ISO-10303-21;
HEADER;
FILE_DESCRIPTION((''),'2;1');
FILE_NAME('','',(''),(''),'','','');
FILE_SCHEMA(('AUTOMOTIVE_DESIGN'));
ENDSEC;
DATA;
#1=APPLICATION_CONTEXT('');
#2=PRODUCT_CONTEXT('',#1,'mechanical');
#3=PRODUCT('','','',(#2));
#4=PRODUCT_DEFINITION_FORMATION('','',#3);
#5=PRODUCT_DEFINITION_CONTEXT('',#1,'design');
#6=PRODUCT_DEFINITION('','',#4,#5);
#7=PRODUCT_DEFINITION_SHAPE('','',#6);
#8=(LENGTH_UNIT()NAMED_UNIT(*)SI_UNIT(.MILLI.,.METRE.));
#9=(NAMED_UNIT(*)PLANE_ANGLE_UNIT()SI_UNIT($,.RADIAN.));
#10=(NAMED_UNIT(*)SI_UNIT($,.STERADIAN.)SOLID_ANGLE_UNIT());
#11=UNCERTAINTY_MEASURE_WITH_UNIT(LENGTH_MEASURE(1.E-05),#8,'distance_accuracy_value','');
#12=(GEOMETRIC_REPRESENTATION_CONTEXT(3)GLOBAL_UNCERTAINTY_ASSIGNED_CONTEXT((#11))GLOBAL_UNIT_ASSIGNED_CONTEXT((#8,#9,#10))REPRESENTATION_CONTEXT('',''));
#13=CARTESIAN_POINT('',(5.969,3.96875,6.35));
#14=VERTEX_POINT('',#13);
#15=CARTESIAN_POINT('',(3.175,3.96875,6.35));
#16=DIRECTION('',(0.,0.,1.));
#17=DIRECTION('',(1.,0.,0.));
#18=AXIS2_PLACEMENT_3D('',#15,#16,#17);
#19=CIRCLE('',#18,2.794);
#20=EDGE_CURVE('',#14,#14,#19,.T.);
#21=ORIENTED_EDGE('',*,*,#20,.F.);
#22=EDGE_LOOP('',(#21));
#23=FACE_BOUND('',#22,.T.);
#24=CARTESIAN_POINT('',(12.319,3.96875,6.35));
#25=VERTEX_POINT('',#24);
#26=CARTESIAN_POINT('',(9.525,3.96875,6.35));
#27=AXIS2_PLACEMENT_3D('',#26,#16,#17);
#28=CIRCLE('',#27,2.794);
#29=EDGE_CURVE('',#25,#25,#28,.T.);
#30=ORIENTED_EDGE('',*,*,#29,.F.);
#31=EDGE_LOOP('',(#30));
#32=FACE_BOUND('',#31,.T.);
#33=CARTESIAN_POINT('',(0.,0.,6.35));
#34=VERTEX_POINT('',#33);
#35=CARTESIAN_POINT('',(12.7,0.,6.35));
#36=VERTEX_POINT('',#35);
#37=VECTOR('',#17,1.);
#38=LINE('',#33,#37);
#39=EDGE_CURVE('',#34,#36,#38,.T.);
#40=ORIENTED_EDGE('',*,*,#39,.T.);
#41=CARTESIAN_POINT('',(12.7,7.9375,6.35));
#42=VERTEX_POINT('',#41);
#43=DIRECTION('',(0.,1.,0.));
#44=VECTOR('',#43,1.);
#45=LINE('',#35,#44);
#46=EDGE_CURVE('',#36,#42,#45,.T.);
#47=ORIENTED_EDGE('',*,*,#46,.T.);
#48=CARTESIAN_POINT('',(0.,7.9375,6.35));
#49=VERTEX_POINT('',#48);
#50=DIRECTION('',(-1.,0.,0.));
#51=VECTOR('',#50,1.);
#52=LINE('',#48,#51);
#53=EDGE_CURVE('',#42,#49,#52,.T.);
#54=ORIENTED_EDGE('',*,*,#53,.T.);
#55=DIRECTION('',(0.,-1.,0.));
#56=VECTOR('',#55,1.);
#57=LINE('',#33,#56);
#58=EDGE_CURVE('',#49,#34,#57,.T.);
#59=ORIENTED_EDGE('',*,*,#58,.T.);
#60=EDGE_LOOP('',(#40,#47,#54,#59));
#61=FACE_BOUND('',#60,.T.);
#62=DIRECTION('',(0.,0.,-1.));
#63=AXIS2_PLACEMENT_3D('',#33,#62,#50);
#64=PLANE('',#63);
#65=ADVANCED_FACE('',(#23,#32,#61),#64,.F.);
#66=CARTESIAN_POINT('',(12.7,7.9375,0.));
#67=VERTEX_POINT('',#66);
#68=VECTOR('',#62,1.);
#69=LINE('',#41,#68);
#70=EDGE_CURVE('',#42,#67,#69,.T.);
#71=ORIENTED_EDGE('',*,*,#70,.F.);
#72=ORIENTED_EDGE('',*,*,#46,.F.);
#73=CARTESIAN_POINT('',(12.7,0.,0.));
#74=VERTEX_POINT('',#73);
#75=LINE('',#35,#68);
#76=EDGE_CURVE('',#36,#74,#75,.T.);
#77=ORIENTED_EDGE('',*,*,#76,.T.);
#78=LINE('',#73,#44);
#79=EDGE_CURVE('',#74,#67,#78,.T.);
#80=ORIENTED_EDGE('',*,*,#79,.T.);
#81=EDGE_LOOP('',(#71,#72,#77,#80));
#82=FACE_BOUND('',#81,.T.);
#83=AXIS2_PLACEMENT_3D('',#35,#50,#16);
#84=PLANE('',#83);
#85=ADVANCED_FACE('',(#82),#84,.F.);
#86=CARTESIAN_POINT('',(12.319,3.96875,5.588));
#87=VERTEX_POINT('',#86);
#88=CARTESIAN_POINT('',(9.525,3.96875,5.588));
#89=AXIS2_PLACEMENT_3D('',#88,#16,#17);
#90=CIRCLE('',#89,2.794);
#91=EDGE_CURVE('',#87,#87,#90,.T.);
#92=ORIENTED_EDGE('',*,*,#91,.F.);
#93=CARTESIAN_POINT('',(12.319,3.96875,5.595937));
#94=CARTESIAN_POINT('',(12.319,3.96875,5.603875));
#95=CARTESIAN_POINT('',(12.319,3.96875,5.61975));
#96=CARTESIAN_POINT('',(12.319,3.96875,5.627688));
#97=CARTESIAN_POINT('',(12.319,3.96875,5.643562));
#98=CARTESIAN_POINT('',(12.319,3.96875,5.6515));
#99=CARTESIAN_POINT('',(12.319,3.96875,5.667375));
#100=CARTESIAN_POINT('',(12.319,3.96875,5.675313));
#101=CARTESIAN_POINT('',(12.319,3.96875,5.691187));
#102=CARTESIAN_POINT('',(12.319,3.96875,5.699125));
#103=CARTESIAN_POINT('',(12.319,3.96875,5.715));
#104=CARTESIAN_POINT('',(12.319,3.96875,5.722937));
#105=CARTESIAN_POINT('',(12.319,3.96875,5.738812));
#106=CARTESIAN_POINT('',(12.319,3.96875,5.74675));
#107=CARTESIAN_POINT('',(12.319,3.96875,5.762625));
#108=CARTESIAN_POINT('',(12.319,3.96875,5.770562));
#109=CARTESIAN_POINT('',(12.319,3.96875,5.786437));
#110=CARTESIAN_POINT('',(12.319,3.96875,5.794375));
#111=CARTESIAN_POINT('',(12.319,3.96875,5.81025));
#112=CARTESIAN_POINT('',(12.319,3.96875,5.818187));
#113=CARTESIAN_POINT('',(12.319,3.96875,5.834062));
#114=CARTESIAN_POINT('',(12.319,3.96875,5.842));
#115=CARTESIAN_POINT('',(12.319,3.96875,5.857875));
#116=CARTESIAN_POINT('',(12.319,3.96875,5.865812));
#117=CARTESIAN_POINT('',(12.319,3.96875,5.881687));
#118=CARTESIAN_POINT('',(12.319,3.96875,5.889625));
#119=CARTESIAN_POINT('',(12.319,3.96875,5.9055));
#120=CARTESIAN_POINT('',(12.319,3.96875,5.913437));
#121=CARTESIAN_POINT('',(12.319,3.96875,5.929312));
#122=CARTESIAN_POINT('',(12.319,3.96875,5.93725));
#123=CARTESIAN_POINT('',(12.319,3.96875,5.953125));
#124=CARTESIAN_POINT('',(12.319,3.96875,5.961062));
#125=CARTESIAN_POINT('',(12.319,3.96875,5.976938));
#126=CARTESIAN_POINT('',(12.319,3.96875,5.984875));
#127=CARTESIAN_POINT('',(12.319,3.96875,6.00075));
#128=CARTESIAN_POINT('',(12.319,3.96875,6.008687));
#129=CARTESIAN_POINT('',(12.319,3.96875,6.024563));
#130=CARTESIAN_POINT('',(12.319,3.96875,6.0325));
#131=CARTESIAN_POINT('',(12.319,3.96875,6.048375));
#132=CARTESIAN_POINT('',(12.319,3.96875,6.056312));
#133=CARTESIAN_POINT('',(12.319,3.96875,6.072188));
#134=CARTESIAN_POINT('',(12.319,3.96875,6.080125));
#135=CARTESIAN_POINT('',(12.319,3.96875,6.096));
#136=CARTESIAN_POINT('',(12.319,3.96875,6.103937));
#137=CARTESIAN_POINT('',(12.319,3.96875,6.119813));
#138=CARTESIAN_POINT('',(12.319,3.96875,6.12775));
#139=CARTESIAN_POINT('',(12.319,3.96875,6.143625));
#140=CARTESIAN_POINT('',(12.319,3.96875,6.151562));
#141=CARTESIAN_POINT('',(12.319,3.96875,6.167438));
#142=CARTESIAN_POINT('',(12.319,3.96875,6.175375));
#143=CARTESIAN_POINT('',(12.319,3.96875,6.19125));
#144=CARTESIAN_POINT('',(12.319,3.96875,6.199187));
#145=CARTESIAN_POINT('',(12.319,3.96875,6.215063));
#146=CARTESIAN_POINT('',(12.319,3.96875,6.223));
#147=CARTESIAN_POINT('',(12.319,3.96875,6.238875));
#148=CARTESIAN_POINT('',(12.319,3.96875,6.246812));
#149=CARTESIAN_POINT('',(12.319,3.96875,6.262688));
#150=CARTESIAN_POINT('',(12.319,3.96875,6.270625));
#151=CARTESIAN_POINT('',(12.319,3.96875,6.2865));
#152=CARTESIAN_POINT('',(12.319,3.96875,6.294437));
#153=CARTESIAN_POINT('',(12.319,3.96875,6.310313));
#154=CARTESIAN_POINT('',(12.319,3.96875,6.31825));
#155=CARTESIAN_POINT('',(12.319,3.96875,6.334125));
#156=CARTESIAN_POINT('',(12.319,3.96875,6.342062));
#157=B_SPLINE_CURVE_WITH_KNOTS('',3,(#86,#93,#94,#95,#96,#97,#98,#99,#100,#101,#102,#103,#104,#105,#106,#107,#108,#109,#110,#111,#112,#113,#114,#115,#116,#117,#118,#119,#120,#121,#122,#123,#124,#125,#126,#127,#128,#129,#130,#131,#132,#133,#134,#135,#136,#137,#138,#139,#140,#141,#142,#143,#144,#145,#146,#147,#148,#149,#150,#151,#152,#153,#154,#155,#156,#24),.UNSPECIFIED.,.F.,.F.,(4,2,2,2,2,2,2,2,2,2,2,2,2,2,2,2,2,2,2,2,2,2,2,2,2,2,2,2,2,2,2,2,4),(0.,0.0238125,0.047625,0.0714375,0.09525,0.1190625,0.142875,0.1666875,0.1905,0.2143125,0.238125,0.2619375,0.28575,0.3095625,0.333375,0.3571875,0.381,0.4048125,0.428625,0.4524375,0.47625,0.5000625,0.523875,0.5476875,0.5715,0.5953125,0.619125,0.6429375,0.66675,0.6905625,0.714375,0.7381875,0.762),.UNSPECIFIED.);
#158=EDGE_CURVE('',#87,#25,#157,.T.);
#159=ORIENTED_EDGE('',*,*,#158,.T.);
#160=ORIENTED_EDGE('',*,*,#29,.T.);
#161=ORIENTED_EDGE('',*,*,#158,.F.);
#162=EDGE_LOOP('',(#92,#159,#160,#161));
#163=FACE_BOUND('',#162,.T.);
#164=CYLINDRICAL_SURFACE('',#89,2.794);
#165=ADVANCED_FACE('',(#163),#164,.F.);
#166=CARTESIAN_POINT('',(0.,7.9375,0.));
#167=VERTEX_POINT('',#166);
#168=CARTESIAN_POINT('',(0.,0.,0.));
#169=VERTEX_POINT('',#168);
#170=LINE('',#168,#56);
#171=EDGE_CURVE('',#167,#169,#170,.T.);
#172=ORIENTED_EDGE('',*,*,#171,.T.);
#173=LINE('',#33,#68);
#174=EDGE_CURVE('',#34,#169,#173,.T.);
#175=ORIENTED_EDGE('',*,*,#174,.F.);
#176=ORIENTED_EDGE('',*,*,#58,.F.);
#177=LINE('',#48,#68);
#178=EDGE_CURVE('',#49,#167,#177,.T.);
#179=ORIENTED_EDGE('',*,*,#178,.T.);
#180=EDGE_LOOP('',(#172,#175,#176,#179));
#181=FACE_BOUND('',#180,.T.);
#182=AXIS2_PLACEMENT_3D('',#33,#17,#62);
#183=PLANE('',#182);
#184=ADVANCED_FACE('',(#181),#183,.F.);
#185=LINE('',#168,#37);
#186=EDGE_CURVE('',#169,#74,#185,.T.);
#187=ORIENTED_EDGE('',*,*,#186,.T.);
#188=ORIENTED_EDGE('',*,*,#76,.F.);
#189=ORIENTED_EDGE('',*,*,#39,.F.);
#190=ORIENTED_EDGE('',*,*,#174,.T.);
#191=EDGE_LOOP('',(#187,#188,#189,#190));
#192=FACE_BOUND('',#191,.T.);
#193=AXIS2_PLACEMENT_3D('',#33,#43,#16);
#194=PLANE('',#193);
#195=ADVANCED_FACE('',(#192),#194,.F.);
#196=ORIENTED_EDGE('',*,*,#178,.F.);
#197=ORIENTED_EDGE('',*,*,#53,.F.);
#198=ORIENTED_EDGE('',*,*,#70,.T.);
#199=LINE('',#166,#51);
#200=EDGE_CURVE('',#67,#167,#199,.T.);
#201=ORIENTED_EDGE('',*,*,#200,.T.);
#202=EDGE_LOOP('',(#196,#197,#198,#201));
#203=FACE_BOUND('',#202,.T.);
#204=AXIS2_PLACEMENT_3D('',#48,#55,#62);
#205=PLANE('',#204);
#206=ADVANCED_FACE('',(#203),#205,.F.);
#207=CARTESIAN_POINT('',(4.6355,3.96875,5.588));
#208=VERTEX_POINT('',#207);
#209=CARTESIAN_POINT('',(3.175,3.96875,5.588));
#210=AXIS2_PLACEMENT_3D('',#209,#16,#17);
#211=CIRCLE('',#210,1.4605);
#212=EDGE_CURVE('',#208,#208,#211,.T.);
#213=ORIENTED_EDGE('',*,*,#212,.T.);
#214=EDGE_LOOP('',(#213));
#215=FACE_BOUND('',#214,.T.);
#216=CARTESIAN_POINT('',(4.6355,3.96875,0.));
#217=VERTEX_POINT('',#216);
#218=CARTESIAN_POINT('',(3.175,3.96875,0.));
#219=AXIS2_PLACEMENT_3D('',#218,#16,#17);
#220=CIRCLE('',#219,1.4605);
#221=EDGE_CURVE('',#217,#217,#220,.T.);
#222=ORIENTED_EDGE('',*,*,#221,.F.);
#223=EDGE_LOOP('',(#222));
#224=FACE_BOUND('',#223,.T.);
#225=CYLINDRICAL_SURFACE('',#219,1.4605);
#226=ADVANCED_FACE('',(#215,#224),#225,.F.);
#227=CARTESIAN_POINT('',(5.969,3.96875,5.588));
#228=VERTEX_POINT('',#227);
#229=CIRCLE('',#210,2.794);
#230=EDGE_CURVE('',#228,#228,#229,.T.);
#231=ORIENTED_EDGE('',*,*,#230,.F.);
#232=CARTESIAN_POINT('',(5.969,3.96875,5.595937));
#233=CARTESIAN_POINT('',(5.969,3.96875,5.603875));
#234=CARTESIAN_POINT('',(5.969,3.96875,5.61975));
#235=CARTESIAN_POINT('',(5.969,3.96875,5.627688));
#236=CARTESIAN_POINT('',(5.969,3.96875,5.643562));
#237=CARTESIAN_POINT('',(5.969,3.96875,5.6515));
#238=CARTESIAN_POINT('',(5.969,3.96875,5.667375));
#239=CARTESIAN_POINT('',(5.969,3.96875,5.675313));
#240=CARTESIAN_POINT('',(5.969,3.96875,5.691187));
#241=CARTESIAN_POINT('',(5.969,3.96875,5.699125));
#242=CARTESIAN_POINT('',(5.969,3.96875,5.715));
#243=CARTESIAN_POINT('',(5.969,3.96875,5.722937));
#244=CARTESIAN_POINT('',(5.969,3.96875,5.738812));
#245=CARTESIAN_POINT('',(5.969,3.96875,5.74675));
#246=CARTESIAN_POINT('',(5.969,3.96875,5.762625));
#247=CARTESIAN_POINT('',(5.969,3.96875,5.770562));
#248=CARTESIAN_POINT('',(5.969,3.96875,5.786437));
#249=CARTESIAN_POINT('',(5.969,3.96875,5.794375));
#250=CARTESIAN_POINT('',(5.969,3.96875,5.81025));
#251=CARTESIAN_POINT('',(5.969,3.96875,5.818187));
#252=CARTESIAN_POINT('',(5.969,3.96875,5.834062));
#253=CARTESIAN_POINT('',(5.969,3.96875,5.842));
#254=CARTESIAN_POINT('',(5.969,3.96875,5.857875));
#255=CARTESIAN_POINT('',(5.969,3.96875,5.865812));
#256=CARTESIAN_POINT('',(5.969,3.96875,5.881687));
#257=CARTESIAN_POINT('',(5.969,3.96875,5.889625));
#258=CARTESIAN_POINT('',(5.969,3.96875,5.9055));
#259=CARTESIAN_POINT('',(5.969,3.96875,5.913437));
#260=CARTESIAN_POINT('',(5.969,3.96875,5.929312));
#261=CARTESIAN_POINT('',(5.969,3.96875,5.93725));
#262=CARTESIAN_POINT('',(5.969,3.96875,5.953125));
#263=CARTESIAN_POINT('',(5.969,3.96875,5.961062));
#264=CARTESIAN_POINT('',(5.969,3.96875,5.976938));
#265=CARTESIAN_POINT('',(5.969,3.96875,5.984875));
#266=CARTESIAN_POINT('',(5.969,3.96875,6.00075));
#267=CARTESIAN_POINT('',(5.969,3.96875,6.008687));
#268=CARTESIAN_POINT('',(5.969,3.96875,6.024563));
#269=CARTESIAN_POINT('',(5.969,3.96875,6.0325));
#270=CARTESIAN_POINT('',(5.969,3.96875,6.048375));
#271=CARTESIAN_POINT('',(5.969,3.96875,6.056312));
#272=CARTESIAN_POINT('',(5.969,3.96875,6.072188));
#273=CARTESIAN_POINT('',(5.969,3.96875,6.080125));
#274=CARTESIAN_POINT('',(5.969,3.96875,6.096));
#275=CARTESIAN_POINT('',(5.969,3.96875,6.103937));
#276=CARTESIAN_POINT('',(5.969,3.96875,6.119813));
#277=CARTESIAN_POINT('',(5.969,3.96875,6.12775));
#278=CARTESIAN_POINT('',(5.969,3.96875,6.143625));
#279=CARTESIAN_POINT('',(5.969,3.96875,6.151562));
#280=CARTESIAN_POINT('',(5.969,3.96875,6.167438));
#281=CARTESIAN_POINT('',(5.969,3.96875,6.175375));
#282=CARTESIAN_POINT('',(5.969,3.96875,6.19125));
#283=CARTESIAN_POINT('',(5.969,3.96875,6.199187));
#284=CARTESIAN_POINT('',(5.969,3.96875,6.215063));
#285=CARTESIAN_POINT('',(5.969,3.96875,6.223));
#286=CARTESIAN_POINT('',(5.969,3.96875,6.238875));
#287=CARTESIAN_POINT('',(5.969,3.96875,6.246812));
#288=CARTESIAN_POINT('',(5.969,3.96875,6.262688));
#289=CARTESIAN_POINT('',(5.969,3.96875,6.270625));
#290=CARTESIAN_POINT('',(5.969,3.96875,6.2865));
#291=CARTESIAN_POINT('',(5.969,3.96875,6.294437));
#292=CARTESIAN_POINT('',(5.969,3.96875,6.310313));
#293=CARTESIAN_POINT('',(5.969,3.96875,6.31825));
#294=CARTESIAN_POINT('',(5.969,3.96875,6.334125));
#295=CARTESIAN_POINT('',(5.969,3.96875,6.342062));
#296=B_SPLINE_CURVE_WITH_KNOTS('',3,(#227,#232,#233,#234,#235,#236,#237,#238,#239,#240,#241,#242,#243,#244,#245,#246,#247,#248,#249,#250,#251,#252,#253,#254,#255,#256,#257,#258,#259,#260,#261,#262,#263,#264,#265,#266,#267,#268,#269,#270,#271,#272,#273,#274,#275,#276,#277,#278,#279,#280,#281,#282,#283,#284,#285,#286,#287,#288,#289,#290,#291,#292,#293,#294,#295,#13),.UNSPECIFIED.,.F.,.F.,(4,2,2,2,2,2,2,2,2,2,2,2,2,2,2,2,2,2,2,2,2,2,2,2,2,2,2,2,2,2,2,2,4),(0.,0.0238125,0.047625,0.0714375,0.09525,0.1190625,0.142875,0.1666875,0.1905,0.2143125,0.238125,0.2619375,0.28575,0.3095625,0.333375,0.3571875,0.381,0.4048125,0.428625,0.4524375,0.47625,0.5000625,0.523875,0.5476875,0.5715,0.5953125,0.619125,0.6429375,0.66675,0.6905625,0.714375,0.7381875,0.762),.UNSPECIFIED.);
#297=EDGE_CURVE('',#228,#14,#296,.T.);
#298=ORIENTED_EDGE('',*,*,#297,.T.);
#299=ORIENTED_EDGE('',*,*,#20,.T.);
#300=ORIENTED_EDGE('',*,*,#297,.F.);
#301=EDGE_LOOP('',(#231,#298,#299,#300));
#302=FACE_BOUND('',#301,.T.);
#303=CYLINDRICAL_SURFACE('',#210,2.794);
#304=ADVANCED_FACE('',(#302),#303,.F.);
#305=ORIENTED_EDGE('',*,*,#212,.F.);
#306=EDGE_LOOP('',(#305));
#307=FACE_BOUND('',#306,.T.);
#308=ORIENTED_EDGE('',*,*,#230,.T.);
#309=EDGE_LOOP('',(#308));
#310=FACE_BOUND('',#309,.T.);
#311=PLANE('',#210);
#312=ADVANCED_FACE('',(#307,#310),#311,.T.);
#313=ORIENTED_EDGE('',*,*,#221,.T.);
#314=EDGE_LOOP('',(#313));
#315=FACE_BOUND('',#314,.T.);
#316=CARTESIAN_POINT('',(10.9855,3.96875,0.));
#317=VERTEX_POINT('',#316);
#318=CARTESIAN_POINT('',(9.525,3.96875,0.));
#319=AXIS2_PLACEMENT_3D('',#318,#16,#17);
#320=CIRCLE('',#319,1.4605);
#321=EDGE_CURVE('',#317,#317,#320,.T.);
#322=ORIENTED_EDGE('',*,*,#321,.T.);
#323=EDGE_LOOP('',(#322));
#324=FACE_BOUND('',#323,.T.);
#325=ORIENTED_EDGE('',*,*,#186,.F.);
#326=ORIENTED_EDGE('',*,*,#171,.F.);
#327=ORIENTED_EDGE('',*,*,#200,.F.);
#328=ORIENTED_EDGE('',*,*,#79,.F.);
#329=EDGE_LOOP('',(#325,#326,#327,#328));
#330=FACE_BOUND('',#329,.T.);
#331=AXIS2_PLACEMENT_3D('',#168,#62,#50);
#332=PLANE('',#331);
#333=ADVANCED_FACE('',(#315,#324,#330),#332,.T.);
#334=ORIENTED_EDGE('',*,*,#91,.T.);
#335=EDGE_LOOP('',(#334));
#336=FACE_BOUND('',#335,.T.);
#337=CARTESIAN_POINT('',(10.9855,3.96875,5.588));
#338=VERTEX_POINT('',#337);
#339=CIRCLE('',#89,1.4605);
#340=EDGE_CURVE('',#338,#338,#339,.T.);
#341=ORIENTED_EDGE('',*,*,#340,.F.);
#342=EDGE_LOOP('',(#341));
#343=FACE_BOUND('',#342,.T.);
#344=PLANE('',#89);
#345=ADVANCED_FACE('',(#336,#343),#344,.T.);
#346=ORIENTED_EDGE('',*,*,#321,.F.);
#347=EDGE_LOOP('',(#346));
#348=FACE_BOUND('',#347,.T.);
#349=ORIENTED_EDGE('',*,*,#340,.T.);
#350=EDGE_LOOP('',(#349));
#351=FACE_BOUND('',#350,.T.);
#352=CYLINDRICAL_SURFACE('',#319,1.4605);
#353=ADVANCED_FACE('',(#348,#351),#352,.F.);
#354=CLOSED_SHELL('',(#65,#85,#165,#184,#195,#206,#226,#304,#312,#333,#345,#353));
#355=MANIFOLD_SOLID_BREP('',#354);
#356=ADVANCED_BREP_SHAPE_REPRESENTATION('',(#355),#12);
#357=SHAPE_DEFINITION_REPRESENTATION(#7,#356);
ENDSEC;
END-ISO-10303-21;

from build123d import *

# Parameters (mm, degrees)
SKETCH1_W           = 12.7
SKETCH1_H           = 7.9375
BOSS_EXTRUDE1_DEPTH = 6.35
SKETCH2_R           = 2.794
CUT_EXTRUDE1_DEPTH  = 0.762
SKETCH3_R           = 1.4605
CUT_EXTRUDE2_DEPTH  = 16.984982022


with BuildPart() as part:
    # Sketch1 → Boss-Extrude1 (new body)
    with BuildSketch(Plane.XY):
        with Locations((6.35, 3.96875)):
            Rectangle(SKETCH1_W, SKETCH1_H)
    extrude(amount=BOSS_EXTRUDE1_DEPTH)

    # Sketch2 → Cut-Extrude1 (cut)
    with BuildSketch(Plane.XY.offset(6.35)):
        with Locations((3.175, 3.96875)):
            Circle(SKETCH2_R)
        with Locations((9.525, 3.96875)):
            Circle(SKETCH2_R)
    extrude(amount=-CUT_EXTRUDE1_DEPTH, mode=Mode.SUBTRACT)

    # Sketch3 → Cut-Extrude2 (cut, through all)
    with BuildSketch(Plane.XY.offset(5.588)):
        with Locations((3.175, 3.96875)):
            Circle(SKETCH3_R)
        with Locations((9.525, 3.96875)):
            Circle(SKETCH3_R)
    extrude(amount=-CUT_EXTRUDE2_DEPTH, mode=Mode.SUBTRACT)


solid = part.part
